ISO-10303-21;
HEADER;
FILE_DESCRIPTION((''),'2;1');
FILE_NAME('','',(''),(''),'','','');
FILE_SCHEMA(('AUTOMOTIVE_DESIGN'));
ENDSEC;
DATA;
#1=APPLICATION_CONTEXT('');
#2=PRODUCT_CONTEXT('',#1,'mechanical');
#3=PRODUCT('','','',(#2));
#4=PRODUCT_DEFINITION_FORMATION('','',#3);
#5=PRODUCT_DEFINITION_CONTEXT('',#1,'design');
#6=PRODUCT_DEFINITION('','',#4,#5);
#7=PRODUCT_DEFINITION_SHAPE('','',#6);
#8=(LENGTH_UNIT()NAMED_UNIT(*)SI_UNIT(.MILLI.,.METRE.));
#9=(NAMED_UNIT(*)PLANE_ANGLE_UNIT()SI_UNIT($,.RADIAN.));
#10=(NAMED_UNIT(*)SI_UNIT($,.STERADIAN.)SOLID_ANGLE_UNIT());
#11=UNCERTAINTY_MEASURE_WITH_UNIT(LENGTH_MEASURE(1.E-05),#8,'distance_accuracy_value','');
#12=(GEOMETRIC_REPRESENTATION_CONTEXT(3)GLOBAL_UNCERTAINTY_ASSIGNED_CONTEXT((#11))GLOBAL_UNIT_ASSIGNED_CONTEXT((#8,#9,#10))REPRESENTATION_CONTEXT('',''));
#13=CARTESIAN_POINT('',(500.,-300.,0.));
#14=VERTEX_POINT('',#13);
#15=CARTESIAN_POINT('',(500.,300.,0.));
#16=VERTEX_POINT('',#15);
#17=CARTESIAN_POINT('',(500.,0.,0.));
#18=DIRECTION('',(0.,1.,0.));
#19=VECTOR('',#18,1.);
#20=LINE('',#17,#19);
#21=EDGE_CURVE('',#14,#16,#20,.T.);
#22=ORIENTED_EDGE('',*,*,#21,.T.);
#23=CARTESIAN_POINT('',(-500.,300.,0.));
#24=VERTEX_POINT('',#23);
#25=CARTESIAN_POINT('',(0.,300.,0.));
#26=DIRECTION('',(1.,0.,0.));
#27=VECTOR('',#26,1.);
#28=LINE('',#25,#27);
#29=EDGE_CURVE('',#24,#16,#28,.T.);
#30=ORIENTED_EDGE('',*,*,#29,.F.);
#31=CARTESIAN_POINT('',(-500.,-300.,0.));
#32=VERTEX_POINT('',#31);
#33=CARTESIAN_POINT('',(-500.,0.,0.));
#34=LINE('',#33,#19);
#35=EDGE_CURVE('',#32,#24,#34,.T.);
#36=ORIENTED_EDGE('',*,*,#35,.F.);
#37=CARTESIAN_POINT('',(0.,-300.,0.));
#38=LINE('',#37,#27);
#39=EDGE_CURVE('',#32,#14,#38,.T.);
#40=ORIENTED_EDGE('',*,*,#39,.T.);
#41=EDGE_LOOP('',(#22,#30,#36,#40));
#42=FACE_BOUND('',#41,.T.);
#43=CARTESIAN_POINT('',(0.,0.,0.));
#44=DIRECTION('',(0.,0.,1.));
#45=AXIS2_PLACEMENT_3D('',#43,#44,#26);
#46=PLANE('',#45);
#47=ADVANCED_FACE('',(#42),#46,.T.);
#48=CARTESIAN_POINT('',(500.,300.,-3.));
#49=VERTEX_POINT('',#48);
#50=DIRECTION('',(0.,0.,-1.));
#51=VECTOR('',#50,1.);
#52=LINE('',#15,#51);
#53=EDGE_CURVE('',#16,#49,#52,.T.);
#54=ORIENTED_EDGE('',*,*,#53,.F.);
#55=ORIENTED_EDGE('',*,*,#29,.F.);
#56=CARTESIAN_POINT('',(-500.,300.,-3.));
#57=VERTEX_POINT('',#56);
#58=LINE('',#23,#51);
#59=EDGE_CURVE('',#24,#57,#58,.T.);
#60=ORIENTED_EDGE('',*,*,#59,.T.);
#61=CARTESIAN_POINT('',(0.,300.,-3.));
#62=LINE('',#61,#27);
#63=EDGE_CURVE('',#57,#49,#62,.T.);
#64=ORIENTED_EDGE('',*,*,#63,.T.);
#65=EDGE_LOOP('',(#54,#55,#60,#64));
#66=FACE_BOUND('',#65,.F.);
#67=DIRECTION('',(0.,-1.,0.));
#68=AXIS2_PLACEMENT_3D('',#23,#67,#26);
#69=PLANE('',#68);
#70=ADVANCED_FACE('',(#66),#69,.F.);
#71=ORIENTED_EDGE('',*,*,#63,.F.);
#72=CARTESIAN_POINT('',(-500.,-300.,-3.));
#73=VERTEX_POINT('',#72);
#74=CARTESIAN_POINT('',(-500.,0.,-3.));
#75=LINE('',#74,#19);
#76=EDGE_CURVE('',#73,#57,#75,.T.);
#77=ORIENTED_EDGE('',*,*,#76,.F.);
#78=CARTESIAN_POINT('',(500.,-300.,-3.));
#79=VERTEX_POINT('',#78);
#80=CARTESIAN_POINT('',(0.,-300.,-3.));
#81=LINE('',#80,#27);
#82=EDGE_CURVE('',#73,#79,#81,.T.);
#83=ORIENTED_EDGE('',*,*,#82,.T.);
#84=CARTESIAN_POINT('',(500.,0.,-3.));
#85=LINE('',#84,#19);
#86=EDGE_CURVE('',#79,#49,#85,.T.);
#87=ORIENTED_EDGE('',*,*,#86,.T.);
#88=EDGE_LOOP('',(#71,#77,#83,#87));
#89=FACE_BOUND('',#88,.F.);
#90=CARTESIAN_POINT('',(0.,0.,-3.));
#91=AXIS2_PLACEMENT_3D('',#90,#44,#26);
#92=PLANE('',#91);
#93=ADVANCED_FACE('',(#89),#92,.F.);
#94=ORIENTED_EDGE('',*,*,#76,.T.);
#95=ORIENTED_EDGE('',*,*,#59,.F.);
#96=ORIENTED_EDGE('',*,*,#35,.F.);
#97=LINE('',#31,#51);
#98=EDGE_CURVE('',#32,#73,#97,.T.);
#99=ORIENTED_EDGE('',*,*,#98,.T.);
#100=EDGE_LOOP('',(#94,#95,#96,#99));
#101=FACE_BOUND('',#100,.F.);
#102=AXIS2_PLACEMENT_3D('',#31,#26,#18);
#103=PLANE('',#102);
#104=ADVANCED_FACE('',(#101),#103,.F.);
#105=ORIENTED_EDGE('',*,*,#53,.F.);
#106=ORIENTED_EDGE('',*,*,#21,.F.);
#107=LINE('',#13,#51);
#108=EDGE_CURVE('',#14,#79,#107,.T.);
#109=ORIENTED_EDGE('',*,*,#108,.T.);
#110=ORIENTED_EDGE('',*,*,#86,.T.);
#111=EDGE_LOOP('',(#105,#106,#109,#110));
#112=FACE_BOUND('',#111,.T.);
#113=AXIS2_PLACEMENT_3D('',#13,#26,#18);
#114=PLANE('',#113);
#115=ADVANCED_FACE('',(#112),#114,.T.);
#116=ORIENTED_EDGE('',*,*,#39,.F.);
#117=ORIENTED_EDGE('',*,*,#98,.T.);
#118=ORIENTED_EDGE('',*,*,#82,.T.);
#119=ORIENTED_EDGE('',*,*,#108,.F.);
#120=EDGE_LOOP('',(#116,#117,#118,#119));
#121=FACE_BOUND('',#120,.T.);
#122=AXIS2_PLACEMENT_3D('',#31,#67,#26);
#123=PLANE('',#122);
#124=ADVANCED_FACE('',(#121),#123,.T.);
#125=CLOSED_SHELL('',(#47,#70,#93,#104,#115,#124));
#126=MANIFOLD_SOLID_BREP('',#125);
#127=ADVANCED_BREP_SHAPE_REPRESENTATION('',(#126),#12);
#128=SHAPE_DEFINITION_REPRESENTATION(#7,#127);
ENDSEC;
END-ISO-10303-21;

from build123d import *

# Parameters (mm, degrees)
F0_W     = 1000
F0_H     = 600
F1_DEPTH = 3


with BuildPart() as f1:
    # F0 (on Top) → F1 (new body)
    with BuildSketch(Plane.XY):
        Rectangle(F0_W, F0_H)
    extrude(amount=-F1_DEPTH)


solid = f1.part
